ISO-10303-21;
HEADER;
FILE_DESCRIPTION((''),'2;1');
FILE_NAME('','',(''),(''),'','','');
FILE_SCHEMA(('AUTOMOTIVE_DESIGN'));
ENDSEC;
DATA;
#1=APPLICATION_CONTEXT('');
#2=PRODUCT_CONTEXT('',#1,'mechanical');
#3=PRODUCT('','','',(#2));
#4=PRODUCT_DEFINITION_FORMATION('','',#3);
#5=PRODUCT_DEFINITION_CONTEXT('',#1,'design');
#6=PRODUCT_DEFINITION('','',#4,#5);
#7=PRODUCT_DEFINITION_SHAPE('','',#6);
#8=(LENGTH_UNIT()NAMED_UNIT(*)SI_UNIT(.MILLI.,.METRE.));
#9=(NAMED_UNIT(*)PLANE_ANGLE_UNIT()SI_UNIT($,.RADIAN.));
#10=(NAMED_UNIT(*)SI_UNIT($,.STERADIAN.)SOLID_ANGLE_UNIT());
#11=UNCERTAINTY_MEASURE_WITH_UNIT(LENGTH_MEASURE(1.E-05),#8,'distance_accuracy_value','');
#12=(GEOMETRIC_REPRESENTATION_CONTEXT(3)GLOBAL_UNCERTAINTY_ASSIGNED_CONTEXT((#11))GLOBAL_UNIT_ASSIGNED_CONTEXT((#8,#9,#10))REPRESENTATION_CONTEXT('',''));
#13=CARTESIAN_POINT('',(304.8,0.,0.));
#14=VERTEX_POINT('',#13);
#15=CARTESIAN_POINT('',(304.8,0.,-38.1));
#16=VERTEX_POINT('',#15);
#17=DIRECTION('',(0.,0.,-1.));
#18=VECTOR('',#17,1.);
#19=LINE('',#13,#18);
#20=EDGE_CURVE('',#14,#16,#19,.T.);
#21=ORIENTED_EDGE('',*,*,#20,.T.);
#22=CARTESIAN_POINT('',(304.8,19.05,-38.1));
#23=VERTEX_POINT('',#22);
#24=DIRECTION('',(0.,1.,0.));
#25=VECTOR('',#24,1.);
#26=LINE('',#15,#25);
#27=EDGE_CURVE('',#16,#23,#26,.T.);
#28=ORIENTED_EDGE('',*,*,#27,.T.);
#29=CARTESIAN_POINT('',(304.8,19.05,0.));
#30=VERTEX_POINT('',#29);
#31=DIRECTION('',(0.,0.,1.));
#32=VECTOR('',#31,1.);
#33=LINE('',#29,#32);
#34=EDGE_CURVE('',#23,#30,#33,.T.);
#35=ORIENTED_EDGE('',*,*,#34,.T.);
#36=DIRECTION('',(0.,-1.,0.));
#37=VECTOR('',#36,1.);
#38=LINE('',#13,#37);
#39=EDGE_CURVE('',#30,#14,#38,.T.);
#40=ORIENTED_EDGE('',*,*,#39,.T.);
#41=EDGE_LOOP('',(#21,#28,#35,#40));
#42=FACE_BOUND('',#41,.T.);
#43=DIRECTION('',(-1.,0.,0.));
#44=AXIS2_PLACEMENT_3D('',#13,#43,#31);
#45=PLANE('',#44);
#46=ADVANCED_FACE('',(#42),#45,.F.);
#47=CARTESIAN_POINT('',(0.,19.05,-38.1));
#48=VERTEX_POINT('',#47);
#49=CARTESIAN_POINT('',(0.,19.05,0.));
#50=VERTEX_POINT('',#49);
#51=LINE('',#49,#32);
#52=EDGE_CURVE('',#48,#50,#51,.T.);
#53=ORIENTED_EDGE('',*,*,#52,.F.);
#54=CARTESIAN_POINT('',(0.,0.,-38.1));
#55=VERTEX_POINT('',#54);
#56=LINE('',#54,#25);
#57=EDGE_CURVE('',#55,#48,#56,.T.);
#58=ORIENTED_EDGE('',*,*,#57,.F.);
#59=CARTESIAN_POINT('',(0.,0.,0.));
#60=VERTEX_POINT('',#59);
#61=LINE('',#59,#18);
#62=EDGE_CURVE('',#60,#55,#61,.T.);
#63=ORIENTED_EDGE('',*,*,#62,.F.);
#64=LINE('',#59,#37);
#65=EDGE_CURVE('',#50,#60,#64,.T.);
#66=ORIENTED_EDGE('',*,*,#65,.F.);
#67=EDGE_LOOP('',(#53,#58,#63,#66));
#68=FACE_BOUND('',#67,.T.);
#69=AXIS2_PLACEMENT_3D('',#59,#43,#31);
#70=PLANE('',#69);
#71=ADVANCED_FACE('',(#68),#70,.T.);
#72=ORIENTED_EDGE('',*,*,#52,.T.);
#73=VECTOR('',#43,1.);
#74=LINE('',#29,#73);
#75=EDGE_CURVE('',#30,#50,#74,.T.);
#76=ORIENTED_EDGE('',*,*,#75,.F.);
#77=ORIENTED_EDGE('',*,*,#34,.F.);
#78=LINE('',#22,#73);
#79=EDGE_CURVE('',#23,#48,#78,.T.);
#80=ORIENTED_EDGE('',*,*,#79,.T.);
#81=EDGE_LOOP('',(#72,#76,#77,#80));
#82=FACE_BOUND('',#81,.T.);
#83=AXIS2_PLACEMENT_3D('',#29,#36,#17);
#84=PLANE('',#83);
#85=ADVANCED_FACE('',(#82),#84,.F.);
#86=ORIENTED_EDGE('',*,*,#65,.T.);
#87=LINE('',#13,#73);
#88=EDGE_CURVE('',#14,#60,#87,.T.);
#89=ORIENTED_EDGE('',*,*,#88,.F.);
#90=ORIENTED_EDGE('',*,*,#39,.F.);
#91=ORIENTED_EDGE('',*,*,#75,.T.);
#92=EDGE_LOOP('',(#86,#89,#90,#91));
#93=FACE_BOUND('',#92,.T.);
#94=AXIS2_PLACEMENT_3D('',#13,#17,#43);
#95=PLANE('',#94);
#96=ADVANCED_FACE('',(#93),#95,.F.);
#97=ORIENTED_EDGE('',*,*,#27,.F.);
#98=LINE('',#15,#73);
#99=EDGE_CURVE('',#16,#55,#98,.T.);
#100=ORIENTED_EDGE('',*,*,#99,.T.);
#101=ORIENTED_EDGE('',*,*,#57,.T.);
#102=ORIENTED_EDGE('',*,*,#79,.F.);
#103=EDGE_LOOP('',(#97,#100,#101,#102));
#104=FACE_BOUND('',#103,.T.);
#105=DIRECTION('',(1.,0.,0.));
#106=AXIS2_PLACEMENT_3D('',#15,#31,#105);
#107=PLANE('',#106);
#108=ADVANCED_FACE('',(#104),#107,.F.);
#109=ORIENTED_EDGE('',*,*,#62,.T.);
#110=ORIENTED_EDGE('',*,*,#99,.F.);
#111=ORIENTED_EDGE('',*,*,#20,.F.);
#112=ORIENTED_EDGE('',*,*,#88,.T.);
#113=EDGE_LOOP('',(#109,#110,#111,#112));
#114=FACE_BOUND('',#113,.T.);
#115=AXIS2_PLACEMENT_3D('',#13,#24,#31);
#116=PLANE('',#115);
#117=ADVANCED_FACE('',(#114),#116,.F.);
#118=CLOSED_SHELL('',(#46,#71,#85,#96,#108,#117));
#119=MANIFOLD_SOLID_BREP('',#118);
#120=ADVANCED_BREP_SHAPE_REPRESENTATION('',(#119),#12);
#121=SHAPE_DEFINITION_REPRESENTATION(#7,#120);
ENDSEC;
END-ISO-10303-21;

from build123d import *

# Parameters (mm, degrees)
SKETCH1_W           = 38.1
SKETCH1_H           = 19.05
BOSS_EXTRUDE1_DEPTH = 304.8


with BuildPart() as part:
    # Sketch1 → Boss-Extrude1 (new body)
    with BuildSketch(Plane(origin=(0, 0, 0), x_dir=(0, 0, -1), z_dir=(1, 0, 0))):
        with Locations((19.05, 9.525)):
            Rectangle(SKETCH1_W, SKETCH1_H)
    extrude(amount=BOSS_EXTRUDE1_DEPTH)


solid = part.part
